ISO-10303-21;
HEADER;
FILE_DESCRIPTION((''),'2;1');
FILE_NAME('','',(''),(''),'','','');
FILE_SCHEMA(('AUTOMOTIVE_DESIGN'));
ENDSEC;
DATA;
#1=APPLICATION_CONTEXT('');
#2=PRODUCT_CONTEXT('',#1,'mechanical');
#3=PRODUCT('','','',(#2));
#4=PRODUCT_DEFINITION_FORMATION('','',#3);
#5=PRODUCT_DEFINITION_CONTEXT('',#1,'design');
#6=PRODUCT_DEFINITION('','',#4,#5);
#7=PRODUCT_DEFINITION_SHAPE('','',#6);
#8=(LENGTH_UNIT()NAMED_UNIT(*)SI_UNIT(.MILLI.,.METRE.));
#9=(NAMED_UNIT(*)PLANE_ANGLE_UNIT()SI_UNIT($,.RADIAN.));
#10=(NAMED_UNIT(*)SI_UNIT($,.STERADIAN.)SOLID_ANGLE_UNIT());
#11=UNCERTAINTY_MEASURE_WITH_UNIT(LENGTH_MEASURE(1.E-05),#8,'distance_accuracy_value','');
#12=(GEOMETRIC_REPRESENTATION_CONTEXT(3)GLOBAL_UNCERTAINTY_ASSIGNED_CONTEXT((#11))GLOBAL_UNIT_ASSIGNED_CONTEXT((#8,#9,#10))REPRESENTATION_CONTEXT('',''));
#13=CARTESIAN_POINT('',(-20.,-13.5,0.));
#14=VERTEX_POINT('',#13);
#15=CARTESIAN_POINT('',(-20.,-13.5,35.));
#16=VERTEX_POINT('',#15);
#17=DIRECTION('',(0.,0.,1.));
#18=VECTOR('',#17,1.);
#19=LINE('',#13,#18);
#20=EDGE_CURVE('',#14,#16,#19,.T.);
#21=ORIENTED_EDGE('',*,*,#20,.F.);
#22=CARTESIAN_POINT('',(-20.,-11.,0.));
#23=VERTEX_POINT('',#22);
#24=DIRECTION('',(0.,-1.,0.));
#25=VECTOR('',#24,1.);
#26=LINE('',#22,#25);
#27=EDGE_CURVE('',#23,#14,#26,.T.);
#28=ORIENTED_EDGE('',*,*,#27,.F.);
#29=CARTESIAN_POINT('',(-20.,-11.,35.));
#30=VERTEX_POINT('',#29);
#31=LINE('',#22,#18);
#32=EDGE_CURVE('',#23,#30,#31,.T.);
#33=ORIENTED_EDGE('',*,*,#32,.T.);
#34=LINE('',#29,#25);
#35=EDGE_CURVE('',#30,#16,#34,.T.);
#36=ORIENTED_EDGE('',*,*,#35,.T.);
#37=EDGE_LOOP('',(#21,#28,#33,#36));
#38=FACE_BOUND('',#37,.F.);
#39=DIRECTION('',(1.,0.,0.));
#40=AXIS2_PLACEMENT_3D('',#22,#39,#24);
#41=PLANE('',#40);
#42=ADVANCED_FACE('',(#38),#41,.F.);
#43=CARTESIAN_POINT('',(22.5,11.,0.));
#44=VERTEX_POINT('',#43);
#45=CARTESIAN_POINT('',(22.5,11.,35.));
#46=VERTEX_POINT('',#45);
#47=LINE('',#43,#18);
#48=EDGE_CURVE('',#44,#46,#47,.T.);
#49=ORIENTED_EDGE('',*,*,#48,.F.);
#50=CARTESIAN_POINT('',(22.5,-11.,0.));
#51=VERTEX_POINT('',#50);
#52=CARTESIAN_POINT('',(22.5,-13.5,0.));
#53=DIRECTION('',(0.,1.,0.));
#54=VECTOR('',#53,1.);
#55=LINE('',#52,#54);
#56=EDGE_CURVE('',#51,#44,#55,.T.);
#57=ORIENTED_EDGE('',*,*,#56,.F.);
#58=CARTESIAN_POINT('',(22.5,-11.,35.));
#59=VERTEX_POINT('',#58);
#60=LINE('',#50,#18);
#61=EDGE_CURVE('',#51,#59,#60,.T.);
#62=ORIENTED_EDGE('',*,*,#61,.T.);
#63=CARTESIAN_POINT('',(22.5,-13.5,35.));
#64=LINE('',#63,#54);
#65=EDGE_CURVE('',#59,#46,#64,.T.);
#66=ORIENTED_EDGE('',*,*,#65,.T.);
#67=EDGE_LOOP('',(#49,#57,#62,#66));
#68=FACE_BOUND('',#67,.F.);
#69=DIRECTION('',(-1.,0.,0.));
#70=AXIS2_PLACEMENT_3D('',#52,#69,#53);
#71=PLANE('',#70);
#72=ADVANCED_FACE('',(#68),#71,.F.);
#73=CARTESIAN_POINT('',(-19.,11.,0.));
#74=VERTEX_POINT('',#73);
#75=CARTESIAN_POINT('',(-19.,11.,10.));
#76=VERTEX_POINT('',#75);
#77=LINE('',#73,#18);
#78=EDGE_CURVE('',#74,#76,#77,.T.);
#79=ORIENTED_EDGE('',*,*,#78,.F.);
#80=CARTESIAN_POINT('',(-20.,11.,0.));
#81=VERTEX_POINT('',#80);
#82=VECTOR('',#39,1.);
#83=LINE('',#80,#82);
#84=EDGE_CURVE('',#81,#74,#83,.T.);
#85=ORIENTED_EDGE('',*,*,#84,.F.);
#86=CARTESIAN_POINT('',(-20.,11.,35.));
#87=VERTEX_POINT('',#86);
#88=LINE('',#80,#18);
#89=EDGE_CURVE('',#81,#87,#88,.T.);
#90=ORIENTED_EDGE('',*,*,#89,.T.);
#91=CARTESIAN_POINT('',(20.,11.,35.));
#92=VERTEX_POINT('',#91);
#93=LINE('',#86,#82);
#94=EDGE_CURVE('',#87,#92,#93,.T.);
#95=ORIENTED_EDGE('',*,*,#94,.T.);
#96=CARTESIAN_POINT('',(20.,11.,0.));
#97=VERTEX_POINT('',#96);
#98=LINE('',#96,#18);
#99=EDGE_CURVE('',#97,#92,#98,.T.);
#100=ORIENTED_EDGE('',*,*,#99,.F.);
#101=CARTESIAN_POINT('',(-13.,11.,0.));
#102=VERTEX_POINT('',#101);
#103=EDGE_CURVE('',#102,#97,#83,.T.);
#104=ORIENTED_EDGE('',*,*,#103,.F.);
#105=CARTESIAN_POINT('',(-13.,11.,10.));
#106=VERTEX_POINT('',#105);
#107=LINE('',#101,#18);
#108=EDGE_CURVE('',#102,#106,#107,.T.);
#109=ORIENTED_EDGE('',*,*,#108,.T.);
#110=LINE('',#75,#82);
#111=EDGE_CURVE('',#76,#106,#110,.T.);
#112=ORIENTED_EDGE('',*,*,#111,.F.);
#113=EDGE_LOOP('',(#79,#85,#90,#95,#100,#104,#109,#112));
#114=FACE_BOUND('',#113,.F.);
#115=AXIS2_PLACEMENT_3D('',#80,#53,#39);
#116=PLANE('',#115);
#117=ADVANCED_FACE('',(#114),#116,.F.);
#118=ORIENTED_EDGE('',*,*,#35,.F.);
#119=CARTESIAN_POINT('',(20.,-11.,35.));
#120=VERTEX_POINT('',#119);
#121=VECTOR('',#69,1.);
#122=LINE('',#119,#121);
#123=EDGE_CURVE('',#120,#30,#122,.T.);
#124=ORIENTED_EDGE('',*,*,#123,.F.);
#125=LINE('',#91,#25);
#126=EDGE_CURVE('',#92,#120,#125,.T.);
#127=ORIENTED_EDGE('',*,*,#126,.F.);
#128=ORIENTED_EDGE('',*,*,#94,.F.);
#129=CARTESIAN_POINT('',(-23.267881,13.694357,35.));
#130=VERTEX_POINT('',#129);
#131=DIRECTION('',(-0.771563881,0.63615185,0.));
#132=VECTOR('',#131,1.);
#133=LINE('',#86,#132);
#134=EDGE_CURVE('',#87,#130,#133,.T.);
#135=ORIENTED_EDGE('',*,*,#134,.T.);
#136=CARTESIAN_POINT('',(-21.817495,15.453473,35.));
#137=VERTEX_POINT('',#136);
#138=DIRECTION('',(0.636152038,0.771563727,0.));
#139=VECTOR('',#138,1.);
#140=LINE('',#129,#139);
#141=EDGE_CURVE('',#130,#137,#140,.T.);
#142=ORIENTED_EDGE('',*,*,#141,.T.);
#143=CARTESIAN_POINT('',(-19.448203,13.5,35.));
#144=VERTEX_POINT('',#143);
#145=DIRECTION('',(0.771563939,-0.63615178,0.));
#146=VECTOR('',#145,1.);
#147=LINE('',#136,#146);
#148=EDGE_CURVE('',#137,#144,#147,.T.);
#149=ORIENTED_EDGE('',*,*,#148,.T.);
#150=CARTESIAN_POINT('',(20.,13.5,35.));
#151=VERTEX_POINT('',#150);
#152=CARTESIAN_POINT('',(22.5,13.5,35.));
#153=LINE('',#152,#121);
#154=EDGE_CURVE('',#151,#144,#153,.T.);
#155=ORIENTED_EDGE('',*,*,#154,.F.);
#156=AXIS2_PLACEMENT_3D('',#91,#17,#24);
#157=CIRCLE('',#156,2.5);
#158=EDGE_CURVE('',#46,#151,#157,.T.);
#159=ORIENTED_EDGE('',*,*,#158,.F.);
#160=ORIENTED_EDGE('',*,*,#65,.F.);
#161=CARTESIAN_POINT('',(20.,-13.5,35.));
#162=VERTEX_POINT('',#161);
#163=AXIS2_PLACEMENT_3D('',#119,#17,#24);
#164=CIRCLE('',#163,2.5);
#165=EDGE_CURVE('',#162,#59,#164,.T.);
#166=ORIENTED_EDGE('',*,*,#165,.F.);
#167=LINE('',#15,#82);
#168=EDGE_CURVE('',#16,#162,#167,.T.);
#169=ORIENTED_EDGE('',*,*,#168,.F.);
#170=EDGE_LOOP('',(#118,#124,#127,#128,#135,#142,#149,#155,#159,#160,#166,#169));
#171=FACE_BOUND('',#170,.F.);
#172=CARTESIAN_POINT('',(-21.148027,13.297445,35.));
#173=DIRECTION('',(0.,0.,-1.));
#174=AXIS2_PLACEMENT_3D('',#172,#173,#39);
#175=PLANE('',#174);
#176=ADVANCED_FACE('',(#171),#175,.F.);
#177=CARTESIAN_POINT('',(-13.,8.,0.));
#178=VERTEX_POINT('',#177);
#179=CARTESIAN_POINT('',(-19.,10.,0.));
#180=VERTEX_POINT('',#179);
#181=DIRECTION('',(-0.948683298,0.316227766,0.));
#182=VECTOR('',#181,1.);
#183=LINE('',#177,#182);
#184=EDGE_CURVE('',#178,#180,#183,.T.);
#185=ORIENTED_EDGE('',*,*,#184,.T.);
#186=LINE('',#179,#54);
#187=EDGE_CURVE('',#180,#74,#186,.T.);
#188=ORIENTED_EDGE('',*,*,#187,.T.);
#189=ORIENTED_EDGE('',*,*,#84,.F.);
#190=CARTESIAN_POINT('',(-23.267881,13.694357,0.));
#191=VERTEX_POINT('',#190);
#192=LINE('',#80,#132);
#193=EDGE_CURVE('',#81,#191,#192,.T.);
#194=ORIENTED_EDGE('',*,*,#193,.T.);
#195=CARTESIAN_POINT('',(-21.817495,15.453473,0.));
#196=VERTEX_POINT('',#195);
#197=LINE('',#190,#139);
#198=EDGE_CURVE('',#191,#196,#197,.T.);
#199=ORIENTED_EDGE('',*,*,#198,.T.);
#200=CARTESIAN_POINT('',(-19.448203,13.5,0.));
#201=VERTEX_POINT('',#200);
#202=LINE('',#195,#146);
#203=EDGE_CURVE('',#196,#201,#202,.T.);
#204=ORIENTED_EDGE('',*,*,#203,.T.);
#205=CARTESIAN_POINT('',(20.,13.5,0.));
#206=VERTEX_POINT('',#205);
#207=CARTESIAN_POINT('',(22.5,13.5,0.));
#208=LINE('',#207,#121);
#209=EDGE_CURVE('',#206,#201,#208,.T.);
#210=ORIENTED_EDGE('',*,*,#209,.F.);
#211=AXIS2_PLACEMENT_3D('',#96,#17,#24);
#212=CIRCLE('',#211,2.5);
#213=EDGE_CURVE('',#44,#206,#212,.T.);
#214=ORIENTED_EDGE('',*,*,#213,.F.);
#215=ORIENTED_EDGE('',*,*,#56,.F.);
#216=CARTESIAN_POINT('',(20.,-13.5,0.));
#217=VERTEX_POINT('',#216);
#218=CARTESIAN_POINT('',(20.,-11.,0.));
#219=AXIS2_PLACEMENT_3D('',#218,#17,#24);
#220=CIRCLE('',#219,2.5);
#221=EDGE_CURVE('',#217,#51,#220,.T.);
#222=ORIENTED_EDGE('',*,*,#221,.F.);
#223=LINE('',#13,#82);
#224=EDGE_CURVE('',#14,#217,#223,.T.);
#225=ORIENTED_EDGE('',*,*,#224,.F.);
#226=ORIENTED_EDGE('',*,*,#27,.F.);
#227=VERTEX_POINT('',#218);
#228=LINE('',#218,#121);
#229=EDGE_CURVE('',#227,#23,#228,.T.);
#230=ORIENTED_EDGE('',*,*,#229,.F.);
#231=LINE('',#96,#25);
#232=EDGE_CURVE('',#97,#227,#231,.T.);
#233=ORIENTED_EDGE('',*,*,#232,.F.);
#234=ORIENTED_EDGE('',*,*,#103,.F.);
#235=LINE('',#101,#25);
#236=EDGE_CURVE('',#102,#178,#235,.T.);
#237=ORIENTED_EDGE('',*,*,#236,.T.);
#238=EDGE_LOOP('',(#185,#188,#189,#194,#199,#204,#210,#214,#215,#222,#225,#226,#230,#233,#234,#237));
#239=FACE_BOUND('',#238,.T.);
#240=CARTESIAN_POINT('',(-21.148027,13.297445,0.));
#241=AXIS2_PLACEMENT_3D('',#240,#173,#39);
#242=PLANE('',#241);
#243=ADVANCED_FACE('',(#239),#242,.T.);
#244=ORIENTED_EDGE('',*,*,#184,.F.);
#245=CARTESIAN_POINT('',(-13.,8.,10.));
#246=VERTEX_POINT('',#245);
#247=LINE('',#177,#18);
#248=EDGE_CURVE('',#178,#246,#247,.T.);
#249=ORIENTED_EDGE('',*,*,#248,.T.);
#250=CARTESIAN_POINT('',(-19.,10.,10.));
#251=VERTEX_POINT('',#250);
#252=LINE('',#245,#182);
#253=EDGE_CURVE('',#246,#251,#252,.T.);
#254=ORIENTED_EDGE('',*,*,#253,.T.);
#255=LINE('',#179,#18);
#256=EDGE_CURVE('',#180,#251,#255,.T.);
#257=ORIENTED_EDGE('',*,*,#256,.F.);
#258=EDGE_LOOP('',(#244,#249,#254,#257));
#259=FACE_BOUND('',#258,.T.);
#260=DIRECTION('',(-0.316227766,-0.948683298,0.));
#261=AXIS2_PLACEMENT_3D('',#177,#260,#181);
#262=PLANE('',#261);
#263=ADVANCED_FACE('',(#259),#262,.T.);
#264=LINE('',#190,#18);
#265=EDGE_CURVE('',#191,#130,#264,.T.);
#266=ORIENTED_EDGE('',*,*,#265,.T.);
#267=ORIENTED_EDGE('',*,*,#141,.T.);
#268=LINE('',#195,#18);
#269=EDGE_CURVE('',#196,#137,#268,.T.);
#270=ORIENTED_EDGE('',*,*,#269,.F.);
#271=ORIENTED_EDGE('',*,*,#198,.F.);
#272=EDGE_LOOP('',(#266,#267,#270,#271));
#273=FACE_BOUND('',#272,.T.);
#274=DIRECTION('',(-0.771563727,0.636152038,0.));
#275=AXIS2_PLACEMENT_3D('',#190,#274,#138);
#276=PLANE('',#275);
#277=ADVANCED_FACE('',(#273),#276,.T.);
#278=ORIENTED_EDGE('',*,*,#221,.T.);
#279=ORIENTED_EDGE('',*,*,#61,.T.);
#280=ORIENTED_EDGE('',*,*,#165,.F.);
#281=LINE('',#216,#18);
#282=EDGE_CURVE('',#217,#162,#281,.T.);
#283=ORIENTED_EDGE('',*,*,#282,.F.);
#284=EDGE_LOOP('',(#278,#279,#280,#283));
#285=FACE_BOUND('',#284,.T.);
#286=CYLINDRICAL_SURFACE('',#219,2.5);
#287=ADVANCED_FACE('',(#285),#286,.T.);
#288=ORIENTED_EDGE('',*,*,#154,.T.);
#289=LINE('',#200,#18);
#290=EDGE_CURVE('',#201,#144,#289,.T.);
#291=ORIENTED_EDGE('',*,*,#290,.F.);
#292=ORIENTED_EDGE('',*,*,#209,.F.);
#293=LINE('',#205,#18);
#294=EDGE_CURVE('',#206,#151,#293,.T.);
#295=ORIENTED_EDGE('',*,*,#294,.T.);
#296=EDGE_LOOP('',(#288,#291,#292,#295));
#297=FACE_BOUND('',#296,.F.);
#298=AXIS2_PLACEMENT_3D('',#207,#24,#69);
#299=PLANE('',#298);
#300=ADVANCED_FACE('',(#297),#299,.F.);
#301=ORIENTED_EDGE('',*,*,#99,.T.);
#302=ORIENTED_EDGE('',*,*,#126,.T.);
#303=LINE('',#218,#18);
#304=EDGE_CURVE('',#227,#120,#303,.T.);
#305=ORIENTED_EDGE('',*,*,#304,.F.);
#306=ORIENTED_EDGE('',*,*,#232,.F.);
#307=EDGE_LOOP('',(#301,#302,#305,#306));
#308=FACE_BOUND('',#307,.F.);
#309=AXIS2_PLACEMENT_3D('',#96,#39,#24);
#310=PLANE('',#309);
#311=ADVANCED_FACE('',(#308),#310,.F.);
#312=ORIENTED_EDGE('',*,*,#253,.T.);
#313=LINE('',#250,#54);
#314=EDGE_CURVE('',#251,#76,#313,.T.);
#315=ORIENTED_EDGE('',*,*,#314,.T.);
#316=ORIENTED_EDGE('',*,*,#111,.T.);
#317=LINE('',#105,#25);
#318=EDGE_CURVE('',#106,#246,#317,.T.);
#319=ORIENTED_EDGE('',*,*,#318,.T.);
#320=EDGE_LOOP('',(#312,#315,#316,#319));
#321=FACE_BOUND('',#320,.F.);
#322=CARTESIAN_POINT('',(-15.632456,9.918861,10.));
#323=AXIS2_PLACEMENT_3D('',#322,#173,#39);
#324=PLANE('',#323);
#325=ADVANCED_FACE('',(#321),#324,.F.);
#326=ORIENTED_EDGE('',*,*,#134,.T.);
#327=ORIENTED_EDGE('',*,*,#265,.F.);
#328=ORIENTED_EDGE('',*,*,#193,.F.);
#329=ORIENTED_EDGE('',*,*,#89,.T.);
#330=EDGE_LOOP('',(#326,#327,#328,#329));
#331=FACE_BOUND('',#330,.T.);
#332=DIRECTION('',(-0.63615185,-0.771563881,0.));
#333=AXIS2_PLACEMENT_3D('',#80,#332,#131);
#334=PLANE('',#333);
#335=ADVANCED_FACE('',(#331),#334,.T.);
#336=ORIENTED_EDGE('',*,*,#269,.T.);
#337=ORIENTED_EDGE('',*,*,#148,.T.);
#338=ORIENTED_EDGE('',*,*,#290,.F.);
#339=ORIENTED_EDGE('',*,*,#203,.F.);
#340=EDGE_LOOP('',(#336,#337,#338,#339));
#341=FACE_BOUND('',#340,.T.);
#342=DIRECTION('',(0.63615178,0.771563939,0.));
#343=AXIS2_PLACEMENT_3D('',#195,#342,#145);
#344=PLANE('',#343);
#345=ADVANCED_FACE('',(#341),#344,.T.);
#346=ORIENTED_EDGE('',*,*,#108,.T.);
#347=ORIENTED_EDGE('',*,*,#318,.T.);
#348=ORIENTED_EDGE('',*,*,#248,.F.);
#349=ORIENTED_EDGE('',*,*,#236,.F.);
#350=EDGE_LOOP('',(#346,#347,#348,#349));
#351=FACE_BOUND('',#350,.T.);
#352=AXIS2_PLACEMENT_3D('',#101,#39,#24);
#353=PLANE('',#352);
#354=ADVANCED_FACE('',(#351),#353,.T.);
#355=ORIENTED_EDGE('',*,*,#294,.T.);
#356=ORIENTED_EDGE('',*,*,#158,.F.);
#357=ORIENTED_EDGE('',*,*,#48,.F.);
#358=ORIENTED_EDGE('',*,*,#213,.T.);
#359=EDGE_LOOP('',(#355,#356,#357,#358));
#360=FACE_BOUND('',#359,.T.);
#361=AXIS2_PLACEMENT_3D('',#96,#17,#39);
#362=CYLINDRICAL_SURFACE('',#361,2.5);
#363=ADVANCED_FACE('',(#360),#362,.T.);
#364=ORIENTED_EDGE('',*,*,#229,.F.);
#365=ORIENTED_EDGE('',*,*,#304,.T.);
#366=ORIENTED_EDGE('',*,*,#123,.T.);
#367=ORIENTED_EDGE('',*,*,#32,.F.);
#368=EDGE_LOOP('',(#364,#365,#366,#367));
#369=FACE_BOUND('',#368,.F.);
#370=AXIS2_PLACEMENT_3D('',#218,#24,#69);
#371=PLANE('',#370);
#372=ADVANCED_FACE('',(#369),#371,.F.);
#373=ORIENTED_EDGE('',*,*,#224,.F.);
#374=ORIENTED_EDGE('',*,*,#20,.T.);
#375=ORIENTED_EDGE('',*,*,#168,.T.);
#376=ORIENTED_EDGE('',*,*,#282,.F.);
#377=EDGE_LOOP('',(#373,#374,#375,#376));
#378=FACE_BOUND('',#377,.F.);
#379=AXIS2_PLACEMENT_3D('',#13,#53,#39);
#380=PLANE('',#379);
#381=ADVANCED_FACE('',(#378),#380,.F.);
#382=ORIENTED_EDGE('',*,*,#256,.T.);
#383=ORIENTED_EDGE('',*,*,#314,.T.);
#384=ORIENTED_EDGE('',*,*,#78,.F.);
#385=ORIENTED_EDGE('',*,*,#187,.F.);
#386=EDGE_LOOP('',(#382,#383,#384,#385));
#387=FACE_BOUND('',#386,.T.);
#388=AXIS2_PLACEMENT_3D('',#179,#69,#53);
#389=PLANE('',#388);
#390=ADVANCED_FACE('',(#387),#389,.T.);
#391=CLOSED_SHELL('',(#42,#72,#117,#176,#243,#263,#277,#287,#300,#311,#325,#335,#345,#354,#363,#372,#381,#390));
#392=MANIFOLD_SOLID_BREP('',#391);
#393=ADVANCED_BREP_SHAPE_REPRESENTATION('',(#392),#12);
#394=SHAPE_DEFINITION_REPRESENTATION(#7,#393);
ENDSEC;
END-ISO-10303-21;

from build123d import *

# Parameters (mm, degrees)
F1_DEPTH = 35
F3_DEPTH = 10
F5_DEPTH = 35
F6_R     = 2.5


with BuildPart() as f1:
    # F0 (on Top) → F1 (new body)
    with BuildSketch(Plane.XY):
        Polygon((-20, 13.5), (-20, 11), (20, 11), (20, -11), (-20, -11), (-20, -13.5), (22.5, -13.5), (22.5, 13.5), align=None)
    extrude(amount=F1_DEPTH)

    # F2 (on face) → F3 (join)
    with BuildSketch(Plane(origin=(0, 0, 0), x_dir=(1, 0, 0), z_dir=(0, 0, -1))):
        Polygon((-19, -11), (-13, -11), (-13, -8), (-19, -10), align=None)
    extrude(amount=-F3_DEPTH)

    # F4 (on face) → F5 (join)
    with BuildSketch(Plane(origin=(0, 0, 0), x_dir=(1, 0, 0), z_dir=(0, 0, -1))):
        Polygon((-20, -13.5), (-20, -11), (-23.267881, -13.694357), (-21.817495, -15.453473), (-19.448203, -13.5), align=None)
    extrude(amount=-F5_DEPTH)

    # F6
    f6_edges = [f1.edges().sort_by_distance(p)[0] for p in [
        (22.5, 13.5, 17.5),
        (22.5, -13.5, 17.5),
    ]]
    fillet(f6_edges, radius=F6_R)


solid = f1.part
